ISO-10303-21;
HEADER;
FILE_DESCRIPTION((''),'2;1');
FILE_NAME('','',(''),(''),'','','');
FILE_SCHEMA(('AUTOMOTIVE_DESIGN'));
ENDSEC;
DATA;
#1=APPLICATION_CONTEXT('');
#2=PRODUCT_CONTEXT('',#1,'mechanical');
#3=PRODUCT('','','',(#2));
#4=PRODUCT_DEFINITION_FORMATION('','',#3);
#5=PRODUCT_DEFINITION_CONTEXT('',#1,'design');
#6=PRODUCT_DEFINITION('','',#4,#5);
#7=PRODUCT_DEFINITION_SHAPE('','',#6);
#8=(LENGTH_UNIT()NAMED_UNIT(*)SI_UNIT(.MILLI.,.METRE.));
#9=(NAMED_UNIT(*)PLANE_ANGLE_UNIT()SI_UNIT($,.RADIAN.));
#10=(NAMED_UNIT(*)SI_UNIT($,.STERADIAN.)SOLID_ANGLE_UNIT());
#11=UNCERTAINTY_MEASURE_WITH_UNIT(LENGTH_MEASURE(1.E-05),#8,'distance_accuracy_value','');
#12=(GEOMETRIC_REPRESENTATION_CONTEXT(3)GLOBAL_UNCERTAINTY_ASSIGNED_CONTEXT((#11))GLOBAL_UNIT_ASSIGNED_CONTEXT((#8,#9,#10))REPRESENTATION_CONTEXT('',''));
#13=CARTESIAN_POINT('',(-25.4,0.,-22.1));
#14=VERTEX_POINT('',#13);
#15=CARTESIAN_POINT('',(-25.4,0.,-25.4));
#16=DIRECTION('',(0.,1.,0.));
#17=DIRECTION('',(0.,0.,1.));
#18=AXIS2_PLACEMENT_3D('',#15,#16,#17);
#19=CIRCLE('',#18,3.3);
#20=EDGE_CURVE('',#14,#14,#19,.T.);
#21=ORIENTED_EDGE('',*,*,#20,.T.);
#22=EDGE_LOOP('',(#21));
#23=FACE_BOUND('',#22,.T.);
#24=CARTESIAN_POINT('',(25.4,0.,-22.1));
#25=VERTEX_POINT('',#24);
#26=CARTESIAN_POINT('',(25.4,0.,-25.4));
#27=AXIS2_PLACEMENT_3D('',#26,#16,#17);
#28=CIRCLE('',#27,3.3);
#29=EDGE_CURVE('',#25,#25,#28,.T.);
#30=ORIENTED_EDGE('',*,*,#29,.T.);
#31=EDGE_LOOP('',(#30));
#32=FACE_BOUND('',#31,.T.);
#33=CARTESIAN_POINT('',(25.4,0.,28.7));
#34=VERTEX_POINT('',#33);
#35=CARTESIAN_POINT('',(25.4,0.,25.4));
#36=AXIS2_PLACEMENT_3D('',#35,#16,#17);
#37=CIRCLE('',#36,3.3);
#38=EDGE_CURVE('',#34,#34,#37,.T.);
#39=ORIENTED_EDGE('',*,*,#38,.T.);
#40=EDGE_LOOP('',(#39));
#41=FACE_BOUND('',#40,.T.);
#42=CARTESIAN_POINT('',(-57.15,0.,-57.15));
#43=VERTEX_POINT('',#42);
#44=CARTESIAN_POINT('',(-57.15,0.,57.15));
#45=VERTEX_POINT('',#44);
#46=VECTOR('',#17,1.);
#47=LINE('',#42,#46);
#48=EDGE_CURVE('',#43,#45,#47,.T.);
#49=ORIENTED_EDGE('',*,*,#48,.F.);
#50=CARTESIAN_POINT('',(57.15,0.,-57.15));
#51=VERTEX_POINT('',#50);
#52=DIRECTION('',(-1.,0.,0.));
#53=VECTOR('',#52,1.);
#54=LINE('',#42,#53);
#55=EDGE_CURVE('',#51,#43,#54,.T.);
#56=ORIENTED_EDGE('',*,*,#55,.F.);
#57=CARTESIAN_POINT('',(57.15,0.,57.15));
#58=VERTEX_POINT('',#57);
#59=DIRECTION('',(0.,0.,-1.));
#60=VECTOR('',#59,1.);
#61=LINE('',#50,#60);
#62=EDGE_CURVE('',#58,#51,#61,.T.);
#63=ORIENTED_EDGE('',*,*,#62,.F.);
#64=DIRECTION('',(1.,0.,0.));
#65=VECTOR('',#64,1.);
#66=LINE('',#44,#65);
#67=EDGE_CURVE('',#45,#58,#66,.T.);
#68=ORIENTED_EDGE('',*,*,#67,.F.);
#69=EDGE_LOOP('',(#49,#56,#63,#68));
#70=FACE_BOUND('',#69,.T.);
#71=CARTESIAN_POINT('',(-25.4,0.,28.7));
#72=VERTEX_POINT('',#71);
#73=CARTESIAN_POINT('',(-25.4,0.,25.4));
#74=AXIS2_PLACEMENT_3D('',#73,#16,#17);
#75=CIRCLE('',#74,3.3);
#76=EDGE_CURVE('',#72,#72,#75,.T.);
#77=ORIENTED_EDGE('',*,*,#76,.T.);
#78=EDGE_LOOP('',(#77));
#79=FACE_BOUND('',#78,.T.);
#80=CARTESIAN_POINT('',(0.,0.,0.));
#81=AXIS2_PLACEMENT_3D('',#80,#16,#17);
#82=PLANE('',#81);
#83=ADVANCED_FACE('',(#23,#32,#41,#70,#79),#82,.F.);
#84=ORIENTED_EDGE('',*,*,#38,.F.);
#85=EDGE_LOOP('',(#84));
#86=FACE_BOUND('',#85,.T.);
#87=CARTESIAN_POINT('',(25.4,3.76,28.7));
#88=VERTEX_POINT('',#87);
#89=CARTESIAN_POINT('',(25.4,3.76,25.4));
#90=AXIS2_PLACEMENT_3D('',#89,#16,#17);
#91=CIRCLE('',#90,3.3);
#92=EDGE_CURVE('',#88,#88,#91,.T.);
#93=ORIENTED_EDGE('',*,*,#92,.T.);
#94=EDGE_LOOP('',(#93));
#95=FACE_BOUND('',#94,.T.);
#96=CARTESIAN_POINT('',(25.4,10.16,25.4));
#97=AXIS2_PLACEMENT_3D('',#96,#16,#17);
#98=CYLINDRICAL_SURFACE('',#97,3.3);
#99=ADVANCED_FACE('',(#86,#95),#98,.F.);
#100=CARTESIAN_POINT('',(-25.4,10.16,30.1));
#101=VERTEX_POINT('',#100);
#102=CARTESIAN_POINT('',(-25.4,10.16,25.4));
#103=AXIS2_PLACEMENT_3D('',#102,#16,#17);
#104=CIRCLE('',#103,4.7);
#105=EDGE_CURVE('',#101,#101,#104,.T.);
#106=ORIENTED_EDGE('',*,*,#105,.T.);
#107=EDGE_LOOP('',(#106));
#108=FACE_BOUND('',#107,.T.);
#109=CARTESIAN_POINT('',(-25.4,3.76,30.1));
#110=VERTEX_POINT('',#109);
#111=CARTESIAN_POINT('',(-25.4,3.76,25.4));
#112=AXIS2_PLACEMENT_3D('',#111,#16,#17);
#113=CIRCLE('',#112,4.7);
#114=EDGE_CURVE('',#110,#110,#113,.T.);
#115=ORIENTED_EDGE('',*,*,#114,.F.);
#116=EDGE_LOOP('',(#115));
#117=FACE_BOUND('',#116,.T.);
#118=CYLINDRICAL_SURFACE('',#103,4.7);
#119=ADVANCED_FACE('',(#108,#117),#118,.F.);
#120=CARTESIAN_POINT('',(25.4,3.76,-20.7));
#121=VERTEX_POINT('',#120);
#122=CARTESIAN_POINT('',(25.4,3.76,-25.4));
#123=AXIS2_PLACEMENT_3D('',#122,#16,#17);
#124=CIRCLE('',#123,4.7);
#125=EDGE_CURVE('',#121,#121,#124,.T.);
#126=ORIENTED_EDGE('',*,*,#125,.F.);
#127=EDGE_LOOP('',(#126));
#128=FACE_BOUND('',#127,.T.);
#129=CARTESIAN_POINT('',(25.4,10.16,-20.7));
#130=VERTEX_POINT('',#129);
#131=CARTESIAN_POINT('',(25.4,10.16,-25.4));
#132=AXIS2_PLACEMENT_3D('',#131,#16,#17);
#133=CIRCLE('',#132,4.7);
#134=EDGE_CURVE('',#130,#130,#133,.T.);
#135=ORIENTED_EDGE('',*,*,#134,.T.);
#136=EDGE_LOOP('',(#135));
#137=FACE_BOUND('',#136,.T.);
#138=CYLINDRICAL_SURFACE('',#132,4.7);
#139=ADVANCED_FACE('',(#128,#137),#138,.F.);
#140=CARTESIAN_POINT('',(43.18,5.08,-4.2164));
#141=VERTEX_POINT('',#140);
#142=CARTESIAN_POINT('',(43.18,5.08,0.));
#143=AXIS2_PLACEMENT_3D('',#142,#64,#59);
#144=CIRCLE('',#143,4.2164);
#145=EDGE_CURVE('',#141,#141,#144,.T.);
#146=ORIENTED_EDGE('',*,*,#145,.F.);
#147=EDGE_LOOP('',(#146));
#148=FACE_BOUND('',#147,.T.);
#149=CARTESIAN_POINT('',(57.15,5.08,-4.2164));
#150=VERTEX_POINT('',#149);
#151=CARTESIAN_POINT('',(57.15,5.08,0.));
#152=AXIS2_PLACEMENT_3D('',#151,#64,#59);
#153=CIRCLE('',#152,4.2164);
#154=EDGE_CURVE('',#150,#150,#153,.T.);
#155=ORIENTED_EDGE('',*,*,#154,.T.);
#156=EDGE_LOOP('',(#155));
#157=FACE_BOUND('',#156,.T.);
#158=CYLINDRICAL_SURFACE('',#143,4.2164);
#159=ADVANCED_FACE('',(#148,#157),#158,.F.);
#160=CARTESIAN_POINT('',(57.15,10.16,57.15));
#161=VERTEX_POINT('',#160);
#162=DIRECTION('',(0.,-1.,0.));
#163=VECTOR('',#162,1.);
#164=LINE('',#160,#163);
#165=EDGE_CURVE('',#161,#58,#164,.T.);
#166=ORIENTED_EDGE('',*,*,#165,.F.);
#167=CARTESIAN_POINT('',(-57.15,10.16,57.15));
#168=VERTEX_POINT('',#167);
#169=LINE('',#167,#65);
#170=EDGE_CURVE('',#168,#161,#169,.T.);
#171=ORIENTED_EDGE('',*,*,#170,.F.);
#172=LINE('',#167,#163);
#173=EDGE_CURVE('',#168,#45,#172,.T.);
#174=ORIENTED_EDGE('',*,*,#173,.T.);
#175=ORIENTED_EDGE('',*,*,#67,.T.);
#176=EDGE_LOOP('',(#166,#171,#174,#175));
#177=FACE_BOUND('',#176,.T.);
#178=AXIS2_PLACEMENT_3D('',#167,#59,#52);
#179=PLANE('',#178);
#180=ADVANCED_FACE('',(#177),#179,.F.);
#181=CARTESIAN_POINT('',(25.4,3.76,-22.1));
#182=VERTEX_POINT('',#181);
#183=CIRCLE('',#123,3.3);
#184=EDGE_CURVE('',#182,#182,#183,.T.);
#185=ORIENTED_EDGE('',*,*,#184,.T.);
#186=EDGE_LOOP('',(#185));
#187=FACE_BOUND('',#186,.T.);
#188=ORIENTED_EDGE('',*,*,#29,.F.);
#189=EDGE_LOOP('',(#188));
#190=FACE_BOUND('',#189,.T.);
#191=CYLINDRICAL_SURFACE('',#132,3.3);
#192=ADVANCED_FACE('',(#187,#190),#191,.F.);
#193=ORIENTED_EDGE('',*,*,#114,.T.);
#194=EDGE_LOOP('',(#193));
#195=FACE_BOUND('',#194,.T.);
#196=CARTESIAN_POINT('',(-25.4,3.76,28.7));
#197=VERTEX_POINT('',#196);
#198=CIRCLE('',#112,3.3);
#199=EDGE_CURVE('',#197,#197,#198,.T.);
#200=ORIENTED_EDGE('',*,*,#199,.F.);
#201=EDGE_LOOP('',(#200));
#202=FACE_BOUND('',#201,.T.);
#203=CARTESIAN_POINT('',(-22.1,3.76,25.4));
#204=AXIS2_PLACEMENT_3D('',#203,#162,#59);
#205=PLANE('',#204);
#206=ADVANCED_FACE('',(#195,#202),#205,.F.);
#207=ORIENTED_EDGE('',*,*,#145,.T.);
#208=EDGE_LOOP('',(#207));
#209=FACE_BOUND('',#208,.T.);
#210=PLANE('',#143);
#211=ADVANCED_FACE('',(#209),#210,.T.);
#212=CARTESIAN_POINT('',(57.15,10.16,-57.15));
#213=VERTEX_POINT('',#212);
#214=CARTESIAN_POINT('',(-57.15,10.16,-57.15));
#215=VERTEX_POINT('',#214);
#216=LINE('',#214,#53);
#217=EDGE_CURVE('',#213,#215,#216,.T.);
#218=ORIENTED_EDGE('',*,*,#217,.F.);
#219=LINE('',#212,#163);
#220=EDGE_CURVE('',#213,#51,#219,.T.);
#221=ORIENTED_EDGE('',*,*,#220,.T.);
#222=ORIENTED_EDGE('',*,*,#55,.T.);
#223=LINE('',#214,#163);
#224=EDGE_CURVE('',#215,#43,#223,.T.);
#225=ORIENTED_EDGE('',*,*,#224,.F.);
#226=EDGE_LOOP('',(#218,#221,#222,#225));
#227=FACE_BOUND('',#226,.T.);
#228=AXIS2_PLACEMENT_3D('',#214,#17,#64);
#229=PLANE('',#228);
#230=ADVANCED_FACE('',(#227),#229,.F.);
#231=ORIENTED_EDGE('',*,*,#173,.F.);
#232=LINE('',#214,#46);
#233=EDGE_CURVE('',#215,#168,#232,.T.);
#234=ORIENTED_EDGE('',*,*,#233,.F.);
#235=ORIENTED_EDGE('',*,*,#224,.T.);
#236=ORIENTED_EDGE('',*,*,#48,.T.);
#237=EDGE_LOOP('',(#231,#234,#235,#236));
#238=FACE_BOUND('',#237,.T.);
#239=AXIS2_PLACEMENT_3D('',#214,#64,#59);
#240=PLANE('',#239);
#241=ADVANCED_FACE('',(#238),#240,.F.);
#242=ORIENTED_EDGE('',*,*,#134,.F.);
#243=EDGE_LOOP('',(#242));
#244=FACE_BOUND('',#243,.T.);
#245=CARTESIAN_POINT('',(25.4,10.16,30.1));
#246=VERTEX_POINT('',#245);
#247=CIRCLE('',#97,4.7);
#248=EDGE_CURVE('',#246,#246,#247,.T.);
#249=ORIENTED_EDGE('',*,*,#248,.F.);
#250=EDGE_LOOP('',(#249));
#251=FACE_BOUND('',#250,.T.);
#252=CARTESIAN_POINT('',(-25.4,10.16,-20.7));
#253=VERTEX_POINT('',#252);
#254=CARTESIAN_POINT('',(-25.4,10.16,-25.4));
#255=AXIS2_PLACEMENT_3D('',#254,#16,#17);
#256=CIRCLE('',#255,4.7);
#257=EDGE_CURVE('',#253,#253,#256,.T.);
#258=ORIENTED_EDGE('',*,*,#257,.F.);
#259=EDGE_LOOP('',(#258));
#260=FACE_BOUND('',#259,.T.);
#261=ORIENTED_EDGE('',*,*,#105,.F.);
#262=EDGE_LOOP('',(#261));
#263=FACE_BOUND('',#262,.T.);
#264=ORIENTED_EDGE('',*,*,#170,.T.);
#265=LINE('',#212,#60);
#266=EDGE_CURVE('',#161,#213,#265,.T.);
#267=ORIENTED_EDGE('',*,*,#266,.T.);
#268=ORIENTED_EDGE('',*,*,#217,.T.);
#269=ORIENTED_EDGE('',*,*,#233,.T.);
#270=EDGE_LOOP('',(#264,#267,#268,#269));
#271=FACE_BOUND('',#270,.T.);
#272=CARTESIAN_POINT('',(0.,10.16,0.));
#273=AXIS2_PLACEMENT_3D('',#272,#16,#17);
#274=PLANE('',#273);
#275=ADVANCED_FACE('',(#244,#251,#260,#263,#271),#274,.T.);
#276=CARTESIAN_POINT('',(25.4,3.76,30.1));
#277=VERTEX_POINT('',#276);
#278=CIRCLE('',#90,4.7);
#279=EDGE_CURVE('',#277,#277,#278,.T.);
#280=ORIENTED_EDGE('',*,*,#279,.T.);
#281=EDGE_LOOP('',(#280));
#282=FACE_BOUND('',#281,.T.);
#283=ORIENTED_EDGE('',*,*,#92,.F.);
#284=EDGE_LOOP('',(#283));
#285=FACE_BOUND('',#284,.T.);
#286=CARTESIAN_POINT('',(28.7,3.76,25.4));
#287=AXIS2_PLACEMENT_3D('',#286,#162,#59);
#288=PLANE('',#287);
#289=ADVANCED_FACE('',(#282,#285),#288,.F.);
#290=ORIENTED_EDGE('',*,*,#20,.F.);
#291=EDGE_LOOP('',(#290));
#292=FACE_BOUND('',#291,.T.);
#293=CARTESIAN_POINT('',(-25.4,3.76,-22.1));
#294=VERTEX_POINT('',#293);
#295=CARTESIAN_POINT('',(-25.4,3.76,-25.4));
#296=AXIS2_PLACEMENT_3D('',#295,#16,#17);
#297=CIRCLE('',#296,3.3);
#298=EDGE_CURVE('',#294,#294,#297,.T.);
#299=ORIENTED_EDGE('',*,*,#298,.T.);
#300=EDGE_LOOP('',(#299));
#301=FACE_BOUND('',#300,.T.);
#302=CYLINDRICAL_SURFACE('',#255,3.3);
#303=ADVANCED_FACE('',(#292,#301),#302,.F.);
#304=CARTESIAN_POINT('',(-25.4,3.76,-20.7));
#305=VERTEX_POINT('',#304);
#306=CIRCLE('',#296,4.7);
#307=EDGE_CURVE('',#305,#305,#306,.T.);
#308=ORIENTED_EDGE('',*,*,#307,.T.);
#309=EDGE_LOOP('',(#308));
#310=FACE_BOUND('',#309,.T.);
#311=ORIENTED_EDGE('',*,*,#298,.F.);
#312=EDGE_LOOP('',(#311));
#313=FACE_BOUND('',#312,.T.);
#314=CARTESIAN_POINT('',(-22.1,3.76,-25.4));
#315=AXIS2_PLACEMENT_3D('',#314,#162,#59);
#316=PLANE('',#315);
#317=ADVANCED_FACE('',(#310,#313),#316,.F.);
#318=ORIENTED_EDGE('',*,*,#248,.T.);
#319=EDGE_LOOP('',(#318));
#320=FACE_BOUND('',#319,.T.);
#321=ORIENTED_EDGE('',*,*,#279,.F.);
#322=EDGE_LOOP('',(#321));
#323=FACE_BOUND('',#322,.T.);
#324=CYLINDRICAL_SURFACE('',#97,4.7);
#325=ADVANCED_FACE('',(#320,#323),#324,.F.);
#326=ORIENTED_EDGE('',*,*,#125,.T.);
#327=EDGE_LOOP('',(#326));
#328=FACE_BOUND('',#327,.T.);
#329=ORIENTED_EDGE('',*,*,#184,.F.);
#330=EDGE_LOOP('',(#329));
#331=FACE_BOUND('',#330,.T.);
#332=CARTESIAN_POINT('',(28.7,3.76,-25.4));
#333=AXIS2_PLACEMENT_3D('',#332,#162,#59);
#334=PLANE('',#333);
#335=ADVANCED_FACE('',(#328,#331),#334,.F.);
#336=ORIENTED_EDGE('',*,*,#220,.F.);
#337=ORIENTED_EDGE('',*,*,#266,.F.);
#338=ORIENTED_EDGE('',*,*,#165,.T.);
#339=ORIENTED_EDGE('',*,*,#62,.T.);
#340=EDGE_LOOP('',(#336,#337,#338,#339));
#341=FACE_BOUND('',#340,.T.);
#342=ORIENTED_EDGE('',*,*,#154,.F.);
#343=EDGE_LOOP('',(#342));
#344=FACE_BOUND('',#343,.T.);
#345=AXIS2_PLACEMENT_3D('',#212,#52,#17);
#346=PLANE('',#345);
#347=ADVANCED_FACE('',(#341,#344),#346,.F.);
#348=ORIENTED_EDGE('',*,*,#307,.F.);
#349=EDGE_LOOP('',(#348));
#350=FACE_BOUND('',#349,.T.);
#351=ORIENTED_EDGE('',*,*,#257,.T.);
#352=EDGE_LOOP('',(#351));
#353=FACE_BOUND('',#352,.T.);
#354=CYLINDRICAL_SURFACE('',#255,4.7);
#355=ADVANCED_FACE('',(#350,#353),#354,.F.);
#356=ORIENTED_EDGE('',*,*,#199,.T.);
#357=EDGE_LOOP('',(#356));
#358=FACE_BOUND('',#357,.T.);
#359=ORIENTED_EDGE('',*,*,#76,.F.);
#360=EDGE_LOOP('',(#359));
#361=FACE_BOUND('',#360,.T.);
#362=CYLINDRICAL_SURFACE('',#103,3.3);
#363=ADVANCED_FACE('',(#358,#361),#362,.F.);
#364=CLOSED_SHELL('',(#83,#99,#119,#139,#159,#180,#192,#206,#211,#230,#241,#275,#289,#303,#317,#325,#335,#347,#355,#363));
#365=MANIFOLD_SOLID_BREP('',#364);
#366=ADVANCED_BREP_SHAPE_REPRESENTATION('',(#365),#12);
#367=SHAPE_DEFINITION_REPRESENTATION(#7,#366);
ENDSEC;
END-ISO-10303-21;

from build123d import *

# Parameters (mm, degrees)
SKETCH1_W                      = 114.3
SKETCH1_H                      = 114.3
BOSS_EXTRUDE1_DEPTH            = 10.16
CBORE_FOR_M6_SHCS1_D           = 6.6
CBORE_FOR_M6_SHCS1_CBORE_D     = 9.4
CBORE_FOR_M6_SHCS1_CBORE_DEPTH = 6.4
SKETCH6_R                      = 4.2164
CUT_EXTRUDE1_DEPTH             = 13.97


with BuildPart() as part:
    # Sketch1 → Boss-Extrude1 (new body)
    with BuildSketch(Plane(origin=(0, 0, 0), x_dir=(1, 0, 0), z_dir=(0, 1, 0))):
        Rectangle(SKETCH1_W, SKETCH1_H)
    extrude(amount=BOSS_EXTRUDE1_DEPTH)

    # CBORE for M6 SHCS1 (through all)
    with Locations(Plane(origin=(0, 10.16, 0), x_dir=(1, 0, 0), z_dir=(0, 1, 0))):
        with Locations((-25.4, 25.4), (25.4, 25.4), (25.4, -25.4), (-25.4, -25.4)):
            CounterBoreHole(CBORE_FOR_M6_SHCS1_D / 2, CBORE_FOR_M6_SHCS1_CBORE_D / 2, CBORE_FOR_M6_SHCS1_CBORE_DEPTH)

    # Sketch6 → Cut-Extrude1 (cut)
    with BuildSketch(Plane(origin=(57.15, 0, 0), x_dir=(0, 0, -1), z_dir=(1, 0, 0))):
        with Locations((0, 5.08)):
            Circle(SKETCH6_R)
    extrude(amount=-CUT_EXTRUDE1_DEPTH, mode=Mode.SUBTRACT)


solid = part.part
